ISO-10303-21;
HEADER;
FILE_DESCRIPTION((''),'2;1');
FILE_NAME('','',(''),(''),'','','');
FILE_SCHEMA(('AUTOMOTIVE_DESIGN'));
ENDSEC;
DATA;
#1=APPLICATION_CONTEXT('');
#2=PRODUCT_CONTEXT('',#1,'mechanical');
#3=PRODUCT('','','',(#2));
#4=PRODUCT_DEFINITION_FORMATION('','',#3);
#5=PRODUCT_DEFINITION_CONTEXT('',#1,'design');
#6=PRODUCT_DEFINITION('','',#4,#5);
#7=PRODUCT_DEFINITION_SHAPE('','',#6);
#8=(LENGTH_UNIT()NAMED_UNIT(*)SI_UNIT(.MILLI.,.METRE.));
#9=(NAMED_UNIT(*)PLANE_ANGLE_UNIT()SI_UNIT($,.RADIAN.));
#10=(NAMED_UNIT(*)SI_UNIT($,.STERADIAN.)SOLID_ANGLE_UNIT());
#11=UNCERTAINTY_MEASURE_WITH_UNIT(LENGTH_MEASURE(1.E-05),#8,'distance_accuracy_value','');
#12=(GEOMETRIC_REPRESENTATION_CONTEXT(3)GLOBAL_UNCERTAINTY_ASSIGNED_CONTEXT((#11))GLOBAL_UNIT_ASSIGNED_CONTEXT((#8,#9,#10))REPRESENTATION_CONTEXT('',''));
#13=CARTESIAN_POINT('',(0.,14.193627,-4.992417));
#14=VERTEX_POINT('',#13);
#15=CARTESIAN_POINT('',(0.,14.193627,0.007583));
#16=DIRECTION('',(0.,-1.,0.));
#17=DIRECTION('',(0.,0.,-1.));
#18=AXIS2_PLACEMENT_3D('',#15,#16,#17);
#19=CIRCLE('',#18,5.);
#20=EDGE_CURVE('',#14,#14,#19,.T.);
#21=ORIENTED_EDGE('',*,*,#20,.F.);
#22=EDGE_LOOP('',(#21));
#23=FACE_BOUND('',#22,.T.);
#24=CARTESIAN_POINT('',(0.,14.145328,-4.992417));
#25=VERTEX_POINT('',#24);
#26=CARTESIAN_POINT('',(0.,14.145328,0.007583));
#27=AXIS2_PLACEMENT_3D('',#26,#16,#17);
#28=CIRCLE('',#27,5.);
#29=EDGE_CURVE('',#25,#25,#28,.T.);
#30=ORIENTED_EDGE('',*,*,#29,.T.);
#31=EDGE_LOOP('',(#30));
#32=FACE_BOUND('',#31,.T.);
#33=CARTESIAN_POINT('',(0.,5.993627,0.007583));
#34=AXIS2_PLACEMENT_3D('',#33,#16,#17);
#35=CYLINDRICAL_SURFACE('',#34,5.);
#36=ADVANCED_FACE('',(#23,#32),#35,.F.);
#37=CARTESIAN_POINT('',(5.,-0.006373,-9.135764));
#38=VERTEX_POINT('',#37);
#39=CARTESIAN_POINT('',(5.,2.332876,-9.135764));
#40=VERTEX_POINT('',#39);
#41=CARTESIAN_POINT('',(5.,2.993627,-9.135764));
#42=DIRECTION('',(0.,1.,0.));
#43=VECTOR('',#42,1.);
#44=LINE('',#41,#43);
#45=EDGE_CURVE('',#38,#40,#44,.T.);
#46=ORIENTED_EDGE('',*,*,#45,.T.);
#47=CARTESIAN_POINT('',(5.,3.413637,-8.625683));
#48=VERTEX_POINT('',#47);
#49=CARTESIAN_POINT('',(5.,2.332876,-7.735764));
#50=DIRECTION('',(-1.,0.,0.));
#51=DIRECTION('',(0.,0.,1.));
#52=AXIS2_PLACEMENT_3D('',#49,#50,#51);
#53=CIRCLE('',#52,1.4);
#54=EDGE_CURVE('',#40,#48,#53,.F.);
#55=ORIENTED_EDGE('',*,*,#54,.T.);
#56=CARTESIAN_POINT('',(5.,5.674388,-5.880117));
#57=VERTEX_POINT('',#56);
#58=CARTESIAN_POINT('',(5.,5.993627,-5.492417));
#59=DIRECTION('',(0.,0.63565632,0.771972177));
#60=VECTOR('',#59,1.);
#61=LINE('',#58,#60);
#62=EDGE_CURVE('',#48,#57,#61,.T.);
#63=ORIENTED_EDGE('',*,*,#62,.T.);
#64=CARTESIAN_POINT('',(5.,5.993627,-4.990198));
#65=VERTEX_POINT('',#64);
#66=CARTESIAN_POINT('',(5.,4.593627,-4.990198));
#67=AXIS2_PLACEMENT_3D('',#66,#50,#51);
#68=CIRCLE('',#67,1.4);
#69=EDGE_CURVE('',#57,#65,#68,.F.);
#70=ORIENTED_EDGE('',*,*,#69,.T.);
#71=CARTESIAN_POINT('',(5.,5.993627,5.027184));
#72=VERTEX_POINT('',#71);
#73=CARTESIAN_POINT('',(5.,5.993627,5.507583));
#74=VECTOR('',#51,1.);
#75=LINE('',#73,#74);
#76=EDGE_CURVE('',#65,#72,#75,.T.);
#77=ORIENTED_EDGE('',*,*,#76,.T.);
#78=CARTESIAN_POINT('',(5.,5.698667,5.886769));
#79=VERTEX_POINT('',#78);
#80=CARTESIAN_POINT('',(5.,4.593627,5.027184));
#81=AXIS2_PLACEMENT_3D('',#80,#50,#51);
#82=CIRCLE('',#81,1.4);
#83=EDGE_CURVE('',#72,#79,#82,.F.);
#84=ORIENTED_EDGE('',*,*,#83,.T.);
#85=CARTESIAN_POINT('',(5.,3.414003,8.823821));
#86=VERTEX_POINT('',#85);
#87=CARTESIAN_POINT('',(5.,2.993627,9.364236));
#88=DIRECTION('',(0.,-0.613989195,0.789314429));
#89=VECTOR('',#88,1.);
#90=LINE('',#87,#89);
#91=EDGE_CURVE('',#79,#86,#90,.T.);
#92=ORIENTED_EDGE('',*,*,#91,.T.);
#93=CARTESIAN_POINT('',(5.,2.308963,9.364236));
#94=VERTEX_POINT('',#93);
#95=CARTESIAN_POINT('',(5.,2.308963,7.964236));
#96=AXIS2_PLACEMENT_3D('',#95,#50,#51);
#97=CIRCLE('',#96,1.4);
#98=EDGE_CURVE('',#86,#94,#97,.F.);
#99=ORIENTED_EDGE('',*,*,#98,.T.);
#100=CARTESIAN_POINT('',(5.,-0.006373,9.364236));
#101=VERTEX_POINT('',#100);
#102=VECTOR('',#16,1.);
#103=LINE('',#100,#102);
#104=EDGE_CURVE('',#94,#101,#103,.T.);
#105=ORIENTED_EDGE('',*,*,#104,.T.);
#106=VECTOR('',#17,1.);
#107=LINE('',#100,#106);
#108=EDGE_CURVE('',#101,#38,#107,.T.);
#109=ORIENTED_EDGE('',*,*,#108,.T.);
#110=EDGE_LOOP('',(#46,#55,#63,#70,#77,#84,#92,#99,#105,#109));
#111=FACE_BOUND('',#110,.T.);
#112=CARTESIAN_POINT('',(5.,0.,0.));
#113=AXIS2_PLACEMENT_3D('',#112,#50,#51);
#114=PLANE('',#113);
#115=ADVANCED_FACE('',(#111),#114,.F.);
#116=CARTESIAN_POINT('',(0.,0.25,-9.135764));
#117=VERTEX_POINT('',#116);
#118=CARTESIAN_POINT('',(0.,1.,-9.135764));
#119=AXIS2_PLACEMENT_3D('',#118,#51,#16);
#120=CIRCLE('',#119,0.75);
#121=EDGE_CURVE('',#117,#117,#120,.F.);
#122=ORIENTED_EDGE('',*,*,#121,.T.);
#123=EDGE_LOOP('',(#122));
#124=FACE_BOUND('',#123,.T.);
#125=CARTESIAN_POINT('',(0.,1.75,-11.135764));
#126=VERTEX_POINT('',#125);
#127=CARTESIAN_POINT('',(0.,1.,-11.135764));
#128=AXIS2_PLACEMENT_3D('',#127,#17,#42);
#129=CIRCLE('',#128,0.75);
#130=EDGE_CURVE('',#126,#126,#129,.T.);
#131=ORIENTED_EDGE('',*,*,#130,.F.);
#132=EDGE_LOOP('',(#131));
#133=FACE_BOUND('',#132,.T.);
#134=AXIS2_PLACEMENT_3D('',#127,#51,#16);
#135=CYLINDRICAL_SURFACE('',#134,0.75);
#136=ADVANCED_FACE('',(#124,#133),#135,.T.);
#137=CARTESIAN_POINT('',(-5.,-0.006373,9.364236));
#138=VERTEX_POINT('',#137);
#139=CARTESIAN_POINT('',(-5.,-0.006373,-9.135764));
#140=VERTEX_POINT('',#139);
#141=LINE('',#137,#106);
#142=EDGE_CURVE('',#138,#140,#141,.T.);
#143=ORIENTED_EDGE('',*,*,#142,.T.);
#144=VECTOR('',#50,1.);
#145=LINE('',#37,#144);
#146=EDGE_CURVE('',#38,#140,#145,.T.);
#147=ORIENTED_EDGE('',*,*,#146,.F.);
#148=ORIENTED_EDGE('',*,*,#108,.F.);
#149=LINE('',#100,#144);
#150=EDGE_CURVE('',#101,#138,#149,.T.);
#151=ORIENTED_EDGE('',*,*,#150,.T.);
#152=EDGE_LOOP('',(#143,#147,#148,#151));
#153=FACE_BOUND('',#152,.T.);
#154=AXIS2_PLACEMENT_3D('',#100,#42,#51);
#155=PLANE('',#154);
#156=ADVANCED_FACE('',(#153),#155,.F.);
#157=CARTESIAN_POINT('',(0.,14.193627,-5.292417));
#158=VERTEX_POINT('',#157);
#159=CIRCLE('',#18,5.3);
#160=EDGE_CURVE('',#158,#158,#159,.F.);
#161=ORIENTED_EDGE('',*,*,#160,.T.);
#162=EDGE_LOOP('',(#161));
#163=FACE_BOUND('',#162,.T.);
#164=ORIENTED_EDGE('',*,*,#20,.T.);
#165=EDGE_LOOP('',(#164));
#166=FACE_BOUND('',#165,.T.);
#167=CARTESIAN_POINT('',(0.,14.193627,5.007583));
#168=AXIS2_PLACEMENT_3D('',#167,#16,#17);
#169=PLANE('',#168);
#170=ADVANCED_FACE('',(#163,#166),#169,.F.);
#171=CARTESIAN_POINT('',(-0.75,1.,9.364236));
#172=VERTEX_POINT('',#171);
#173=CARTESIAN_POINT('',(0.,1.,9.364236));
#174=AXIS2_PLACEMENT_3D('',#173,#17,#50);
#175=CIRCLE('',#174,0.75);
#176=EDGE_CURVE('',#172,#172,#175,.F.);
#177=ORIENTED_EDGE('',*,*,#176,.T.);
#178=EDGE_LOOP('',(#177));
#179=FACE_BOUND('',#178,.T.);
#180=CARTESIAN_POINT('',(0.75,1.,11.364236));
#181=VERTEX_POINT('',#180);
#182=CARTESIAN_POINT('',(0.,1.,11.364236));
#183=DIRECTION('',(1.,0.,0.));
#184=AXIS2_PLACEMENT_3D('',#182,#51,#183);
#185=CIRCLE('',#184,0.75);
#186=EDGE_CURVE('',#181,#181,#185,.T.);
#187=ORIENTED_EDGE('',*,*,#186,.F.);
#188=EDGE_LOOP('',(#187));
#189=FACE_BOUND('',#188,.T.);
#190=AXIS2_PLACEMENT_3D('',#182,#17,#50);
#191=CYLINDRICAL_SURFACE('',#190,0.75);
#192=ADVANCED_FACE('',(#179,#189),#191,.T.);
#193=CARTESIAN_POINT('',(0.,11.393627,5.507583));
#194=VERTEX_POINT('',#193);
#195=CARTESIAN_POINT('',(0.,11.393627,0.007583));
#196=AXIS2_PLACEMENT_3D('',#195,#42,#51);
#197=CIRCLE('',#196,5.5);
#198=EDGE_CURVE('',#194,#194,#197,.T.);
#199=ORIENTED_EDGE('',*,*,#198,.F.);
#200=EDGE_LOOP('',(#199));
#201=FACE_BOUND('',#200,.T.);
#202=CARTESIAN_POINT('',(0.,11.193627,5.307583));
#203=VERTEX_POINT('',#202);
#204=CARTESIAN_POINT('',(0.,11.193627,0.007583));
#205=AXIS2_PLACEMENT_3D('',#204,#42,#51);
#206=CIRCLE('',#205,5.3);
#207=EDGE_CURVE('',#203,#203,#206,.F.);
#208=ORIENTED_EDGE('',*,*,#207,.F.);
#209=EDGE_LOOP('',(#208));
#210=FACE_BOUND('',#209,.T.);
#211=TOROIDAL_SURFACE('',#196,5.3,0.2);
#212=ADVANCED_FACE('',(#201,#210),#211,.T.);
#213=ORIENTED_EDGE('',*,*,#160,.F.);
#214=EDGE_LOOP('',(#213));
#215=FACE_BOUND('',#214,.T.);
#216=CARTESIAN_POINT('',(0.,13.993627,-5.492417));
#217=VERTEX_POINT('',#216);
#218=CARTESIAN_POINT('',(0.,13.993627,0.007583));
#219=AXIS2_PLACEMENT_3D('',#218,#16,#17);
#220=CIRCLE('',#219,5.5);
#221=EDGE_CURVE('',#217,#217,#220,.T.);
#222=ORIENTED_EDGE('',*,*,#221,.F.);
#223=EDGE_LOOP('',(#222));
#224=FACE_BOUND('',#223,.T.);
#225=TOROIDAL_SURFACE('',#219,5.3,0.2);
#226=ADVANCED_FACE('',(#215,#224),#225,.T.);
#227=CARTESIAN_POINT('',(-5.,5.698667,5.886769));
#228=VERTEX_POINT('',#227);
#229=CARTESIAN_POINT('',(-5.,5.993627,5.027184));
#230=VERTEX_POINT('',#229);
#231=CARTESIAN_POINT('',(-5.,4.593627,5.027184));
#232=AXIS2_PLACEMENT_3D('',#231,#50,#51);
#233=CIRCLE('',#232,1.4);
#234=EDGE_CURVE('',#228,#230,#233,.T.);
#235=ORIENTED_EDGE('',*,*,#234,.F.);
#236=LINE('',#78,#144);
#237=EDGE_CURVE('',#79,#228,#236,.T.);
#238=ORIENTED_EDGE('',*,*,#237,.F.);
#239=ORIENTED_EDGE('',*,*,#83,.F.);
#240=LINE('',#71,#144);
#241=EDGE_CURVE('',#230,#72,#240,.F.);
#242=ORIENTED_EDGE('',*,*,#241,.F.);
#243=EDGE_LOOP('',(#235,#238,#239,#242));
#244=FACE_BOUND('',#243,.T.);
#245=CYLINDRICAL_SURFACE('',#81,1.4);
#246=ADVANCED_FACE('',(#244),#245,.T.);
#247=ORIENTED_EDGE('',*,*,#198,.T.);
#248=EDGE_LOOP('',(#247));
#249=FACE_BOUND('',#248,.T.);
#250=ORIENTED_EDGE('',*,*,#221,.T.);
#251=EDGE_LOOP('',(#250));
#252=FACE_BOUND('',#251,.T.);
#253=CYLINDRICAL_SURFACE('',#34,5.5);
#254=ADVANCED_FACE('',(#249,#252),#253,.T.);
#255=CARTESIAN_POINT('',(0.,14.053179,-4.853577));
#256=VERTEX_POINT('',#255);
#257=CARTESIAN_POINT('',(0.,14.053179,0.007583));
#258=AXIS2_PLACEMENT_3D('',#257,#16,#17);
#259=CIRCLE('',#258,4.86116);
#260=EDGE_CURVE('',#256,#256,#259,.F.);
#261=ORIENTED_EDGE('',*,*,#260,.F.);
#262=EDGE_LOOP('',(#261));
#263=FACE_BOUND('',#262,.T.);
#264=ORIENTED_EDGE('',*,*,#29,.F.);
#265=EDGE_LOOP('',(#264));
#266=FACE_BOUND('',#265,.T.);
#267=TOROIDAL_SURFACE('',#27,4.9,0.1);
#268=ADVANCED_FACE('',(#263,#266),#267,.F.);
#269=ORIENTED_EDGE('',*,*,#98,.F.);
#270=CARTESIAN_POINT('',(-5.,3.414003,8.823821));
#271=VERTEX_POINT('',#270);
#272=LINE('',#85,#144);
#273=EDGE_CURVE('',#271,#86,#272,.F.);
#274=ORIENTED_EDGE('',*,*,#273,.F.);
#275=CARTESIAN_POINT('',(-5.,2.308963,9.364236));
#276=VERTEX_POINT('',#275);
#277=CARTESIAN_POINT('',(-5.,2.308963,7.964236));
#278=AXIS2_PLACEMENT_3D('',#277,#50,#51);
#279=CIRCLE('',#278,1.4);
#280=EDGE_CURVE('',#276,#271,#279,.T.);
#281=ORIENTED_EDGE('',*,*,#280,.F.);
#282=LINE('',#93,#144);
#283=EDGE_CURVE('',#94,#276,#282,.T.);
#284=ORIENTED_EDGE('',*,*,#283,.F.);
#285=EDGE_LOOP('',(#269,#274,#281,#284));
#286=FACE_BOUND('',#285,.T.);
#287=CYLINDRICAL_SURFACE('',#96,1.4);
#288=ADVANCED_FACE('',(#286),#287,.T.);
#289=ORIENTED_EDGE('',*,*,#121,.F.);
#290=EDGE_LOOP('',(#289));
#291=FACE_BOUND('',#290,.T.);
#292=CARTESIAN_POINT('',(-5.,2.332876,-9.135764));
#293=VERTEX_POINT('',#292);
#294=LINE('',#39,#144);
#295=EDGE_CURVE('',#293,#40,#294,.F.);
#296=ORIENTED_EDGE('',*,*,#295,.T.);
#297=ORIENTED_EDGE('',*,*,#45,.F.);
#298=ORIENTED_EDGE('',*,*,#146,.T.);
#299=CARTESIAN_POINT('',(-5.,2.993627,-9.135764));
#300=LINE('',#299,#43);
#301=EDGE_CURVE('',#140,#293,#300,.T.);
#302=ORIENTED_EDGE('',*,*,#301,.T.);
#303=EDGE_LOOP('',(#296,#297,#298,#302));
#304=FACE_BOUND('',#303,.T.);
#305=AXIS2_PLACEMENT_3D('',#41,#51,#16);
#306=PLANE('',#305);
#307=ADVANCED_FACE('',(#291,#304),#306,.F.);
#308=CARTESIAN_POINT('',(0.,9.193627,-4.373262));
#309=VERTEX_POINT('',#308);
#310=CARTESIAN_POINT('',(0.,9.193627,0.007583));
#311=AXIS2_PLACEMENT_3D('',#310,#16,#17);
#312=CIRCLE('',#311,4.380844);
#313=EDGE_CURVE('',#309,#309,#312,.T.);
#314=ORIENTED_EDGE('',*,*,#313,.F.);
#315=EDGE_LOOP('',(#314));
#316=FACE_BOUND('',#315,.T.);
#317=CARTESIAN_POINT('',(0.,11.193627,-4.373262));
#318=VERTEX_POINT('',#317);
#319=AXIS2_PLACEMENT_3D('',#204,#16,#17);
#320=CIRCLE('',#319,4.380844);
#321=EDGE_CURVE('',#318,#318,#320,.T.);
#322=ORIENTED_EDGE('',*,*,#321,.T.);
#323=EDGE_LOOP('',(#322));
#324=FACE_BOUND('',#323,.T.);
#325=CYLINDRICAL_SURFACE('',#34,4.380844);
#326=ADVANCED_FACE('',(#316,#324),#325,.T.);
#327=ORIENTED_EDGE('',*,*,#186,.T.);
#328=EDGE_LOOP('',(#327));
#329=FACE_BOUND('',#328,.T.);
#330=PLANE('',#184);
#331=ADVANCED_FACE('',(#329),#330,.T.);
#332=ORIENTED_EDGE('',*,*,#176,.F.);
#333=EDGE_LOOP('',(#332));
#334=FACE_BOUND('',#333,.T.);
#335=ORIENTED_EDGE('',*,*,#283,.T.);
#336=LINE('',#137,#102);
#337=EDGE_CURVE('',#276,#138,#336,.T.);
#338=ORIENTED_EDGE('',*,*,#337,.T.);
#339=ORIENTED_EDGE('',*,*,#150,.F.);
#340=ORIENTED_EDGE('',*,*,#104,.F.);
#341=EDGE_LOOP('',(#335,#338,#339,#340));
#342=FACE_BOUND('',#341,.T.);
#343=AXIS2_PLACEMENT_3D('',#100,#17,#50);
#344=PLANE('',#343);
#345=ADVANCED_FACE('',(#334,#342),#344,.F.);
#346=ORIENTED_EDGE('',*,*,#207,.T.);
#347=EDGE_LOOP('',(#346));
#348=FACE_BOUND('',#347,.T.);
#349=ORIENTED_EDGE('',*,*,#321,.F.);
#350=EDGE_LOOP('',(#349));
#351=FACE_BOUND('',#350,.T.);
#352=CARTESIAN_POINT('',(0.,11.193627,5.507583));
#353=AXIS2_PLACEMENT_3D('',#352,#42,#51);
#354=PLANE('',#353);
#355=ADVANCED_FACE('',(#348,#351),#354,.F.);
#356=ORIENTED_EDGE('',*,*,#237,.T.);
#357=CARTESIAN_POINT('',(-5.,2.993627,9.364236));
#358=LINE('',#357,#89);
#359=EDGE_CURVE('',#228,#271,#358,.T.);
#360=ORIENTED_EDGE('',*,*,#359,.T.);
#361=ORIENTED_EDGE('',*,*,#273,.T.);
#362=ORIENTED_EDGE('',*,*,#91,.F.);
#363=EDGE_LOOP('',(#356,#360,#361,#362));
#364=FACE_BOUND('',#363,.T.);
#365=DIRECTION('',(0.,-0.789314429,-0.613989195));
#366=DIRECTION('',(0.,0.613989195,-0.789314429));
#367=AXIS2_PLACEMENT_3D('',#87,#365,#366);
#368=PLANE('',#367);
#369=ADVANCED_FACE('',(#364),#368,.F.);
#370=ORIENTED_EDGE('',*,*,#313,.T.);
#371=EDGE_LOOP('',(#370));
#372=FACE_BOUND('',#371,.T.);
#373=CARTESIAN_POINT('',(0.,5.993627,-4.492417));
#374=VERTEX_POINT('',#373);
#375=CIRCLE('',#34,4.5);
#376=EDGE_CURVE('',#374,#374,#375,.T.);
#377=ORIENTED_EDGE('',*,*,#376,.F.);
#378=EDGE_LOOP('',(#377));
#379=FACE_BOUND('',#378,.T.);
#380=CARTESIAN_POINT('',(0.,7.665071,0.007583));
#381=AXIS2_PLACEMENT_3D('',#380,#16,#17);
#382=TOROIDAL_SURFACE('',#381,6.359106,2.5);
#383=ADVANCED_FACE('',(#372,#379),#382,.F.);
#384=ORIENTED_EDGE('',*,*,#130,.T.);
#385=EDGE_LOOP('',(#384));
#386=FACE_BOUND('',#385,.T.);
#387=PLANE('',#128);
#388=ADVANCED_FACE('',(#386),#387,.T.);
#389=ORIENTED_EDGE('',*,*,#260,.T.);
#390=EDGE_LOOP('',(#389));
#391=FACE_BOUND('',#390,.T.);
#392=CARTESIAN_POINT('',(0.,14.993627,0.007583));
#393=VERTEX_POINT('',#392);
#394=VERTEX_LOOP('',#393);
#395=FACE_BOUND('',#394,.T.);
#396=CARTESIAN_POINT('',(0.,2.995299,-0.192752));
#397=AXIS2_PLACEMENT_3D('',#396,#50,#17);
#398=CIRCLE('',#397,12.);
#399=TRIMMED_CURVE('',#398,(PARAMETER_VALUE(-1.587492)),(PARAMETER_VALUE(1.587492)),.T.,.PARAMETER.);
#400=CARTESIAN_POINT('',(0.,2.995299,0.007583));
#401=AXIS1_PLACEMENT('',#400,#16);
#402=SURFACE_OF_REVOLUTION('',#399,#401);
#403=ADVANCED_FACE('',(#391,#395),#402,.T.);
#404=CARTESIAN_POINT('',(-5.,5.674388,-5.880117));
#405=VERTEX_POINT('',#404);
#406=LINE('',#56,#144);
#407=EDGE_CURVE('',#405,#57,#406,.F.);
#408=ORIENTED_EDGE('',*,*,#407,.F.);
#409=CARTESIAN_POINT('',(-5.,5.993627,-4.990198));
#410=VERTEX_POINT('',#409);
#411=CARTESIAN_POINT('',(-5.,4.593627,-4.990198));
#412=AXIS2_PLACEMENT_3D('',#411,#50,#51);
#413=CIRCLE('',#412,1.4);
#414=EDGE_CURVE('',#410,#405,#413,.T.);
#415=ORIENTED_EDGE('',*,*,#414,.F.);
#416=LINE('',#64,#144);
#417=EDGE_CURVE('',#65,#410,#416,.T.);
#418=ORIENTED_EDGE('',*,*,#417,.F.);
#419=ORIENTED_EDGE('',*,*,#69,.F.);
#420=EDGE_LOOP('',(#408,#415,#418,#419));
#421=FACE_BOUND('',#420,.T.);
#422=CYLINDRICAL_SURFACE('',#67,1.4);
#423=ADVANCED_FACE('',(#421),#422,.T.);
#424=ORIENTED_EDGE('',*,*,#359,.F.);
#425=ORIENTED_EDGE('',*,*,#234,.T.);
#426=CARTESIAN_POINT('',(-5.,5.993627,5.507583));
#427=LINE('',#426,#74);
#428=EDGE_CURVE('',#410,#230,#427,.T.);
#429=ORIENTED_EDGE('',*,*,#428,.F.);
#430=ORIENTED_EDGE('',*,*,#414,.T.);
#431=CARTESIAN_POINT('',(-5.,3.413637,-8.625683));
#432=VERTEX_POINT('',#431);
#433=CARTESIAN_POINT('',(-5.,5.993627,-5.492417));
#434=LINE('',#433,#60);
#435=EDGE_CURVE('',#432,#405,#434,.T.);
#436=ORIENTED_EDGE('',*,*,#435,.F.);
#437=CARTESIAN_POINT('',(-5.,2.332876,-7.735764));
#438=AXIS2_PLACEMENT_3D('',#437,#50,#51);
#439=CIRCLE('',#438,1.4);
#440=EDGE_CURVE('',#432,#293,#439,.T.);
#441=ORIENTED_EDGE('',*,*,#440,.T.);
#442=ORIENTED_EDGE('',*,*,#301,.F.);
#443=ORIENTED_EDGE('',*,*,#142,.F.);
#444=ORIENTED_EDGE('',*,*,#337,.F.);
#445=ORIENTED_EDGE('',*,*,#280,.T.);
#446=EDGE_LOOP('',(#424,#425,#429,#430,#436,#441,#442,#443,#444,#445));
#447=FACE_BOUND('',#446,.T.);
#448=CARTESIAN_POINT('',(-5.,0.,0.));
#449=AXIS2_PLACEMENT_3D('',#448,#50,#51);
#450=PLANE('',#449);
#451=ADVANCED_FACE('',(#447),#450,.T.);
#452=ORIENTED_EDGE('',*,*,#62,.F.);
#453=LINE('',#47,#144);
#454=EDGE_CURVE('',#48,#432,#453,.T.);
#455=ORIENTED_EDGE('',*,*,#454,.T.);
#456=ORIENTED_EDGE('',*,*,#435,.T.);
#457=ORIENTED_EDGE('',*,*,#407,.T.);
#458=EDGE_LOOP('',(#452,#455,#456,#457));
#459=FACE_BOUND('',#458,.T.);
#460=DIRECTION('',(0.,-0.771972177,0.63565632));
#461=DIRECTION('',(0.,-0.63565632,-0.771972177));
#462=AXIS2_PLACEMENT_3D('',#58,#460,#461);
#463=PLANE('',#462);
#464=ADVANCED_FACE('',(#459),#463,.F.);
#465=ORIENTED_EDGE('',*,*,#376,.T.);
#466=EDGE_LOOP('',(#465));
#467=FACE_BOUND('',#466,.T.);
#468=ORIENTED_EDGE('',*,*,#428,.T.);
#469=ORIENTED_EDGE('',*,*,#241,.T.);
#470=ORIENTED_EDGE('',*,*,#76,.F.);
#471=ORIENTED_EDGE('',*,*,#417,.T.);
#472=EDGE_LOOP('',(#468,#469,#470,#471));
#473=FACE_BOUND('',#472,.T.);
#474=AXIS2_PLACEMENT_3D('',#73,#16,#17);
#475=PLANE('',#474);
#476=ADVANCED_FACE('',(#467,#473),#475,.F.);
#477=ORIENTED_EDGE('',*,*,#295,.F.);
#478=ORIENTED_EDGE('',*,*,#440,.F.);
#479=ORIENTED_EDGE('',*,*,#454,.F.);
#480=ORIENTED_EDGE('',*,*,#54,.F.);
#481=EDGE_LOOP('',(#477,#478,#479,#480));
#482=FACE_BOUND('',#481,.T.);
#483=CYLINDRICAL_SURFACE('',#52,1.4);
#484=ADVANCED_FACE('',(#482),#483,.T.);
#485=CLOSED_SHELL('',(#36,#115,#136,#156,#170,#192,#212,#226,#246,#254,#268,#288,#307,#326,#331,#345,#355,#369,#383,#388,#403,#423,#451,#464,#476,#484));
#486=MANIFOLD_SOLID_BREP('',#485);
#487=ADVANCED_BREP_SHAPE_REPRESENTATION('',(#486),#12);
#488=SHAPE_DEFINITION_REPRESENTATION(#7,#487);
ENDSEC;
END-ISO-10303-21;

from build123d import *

# Parameters (mm, degrees)
BOSS_EXTRUDE1_DEPTH = 5
FILLET2_R           = 0.2
FILLET3_R           = 0.1
FILLET4_R           = 1.4
SKETCH5_R           = 0.75
BOSS_EXTRUDE2_DEPTH = 2
BOSS_EXTRUDE3_START = 2
SKETCH6_R           = 0.75
BOSS_EXTRUDE3_DEPTH = 2


with BuildPart() as part:
    # Sketch1 → Boss-Extrude1 (new, symmetric)
    with BuildSketch(Plane(origin=(0, 0, 0), x_dir=(0, 0, -1), z_dir=(1, 0, 0))):
        Polygon((-9.364235946, -0.006373265), (9.135764054, -0.006373265), (9.135764054, 2.993626735), (5.492417081, 5.993626735), (-5.507582919, 5.993626735), (-9.364235946, 2.993626735), align=None)
    extrude(amount=BOSS_EXTRUDE1_DEPTH, both=True)

    # Sketch3 → Revolve1 (revolve)
    with BuildSketch(Plane(origin=(0, 0, 0), x_dir=(0, 0, -1), z_dir=(1, 0, 0)), mode=Mode.PRIVATE) as revolve1_sk:
        with BuildLine():
            Line((-0.007582919, 5.993626735), (-0.007582919, 13.993626735))
            Line((-0.007582919, 13.993626735), (-5.007582919, 13.993626735))
            Line((-5.007582919, 13.993626735), (-5.007582919, 14.193626735))
            Line((-5.007582919, 14.193626735), (-5.507582919, 14.193626735))
            Line((-5.507582919, 14.193626735), (-5.507582919, 11.193626735))
            Line((-5.507582919, 11.193626735), (-4.388427411, 11.193626735))
            Line((-4.388427411, 11.193626735), (-4.388427411, 9.193626735))
            ThreePointArc((-4.388427411, 9.193626735), (-3.86841998, 7.572045246), (-4.507582919, 5.993626735))
            Line((-4.507582919, 5.993626735), (-0.007582919, 5.993626735))
        make_face()
    revolve(revolve1_sk.sketch.rotate(Axis((0, 5.993626735, 0.007582919), (0, 1, 0)), 180), axis=Axis((0, 5.993626735, 0.007582919), (0, 1, 0)))

    # Sketch4 → Revolve2 (revolve)
    with BuildSketch(Plane(origin=(0, 0, 0), x_dir=(0, 0, -1), z_dir=(1, 0, 0))):
        with BuildLine():
            Line((-0.007582919, 14.193626735), (-0.007582919, 14.993626735))
            ThreePointArc((-0.007582919, 14.993626735), (2.546145175, 14.762267206), (4.992417081, 13.993626735))
            Line((4.992417081, 13.993626735), (-0.007582919, 13.993626735))
            Line((-0.007582919, 13.993626735), (-0.007582919, 14.193626735))
        make_face()
    revolve(axis=Axis((0, 14.193626735, 0.007582919), (0, 1, 0)))

    # Fillet2
    fillet2_edges = [part.edges().sort_by_distance(p)[0] for p in [
        (0, 11.193626735, 5.507582919),
        (0, 14.193626735, 5.507582919),
    ]]
    fillet(fillet2_edges, radius=FILLET2_R)

    # Fillet3
    fillet3_edges = [part.edges().sort_by_distance(p)[0] for p in [
        (0, 13.993626735, 5.007582919),
    ]]
    fillet(fillet3_edges, radius=FILLET3_R)

    # Fillet4
    fillet4_edges = [part.edges().sort_by_distance(p)[0] for p in [
        (0, 5.993626735, -5.492417081),
        (0, 2.993626735, -9.135764054),
        (0, 2.993626735, 9.364235946),
        (0, 5.993626735, 5.507582919),
    ]]
    fillet(fillet4_edges, radius=FILLET4_R)

    # Sketch5 → Boss-Extrude2 (add)
    with BuildSketch(Plane.XY.offset(9.364235946)):
        with Locations(Location((0, 1, 0), (0, 0, 180))):
            Circle(SKETCH5_R)
    extrude(amount=BOSS_EXTRUDE2_DEPTH)

    # Sketch6 → Boss-Extrude3 (add)
    with BuildSketch(Plane(origin=(0, 0, -9.135764054), x_dir=(-1, 0, 0), z_dir=(0, 0, -1)).offset(BOSS_EXTRUDE3_START)):
        with Locations((0, 1)):
            Circle(SKETCH6_R)
    boss_extrude3 = extrude(amount=-BOSS_EXTRUDE3_DEPTH)

    # Mirror4: Boss-Extrude3 across plane
    add(boss_extrude3.mirror(Plane.XY))


solid = part.part
